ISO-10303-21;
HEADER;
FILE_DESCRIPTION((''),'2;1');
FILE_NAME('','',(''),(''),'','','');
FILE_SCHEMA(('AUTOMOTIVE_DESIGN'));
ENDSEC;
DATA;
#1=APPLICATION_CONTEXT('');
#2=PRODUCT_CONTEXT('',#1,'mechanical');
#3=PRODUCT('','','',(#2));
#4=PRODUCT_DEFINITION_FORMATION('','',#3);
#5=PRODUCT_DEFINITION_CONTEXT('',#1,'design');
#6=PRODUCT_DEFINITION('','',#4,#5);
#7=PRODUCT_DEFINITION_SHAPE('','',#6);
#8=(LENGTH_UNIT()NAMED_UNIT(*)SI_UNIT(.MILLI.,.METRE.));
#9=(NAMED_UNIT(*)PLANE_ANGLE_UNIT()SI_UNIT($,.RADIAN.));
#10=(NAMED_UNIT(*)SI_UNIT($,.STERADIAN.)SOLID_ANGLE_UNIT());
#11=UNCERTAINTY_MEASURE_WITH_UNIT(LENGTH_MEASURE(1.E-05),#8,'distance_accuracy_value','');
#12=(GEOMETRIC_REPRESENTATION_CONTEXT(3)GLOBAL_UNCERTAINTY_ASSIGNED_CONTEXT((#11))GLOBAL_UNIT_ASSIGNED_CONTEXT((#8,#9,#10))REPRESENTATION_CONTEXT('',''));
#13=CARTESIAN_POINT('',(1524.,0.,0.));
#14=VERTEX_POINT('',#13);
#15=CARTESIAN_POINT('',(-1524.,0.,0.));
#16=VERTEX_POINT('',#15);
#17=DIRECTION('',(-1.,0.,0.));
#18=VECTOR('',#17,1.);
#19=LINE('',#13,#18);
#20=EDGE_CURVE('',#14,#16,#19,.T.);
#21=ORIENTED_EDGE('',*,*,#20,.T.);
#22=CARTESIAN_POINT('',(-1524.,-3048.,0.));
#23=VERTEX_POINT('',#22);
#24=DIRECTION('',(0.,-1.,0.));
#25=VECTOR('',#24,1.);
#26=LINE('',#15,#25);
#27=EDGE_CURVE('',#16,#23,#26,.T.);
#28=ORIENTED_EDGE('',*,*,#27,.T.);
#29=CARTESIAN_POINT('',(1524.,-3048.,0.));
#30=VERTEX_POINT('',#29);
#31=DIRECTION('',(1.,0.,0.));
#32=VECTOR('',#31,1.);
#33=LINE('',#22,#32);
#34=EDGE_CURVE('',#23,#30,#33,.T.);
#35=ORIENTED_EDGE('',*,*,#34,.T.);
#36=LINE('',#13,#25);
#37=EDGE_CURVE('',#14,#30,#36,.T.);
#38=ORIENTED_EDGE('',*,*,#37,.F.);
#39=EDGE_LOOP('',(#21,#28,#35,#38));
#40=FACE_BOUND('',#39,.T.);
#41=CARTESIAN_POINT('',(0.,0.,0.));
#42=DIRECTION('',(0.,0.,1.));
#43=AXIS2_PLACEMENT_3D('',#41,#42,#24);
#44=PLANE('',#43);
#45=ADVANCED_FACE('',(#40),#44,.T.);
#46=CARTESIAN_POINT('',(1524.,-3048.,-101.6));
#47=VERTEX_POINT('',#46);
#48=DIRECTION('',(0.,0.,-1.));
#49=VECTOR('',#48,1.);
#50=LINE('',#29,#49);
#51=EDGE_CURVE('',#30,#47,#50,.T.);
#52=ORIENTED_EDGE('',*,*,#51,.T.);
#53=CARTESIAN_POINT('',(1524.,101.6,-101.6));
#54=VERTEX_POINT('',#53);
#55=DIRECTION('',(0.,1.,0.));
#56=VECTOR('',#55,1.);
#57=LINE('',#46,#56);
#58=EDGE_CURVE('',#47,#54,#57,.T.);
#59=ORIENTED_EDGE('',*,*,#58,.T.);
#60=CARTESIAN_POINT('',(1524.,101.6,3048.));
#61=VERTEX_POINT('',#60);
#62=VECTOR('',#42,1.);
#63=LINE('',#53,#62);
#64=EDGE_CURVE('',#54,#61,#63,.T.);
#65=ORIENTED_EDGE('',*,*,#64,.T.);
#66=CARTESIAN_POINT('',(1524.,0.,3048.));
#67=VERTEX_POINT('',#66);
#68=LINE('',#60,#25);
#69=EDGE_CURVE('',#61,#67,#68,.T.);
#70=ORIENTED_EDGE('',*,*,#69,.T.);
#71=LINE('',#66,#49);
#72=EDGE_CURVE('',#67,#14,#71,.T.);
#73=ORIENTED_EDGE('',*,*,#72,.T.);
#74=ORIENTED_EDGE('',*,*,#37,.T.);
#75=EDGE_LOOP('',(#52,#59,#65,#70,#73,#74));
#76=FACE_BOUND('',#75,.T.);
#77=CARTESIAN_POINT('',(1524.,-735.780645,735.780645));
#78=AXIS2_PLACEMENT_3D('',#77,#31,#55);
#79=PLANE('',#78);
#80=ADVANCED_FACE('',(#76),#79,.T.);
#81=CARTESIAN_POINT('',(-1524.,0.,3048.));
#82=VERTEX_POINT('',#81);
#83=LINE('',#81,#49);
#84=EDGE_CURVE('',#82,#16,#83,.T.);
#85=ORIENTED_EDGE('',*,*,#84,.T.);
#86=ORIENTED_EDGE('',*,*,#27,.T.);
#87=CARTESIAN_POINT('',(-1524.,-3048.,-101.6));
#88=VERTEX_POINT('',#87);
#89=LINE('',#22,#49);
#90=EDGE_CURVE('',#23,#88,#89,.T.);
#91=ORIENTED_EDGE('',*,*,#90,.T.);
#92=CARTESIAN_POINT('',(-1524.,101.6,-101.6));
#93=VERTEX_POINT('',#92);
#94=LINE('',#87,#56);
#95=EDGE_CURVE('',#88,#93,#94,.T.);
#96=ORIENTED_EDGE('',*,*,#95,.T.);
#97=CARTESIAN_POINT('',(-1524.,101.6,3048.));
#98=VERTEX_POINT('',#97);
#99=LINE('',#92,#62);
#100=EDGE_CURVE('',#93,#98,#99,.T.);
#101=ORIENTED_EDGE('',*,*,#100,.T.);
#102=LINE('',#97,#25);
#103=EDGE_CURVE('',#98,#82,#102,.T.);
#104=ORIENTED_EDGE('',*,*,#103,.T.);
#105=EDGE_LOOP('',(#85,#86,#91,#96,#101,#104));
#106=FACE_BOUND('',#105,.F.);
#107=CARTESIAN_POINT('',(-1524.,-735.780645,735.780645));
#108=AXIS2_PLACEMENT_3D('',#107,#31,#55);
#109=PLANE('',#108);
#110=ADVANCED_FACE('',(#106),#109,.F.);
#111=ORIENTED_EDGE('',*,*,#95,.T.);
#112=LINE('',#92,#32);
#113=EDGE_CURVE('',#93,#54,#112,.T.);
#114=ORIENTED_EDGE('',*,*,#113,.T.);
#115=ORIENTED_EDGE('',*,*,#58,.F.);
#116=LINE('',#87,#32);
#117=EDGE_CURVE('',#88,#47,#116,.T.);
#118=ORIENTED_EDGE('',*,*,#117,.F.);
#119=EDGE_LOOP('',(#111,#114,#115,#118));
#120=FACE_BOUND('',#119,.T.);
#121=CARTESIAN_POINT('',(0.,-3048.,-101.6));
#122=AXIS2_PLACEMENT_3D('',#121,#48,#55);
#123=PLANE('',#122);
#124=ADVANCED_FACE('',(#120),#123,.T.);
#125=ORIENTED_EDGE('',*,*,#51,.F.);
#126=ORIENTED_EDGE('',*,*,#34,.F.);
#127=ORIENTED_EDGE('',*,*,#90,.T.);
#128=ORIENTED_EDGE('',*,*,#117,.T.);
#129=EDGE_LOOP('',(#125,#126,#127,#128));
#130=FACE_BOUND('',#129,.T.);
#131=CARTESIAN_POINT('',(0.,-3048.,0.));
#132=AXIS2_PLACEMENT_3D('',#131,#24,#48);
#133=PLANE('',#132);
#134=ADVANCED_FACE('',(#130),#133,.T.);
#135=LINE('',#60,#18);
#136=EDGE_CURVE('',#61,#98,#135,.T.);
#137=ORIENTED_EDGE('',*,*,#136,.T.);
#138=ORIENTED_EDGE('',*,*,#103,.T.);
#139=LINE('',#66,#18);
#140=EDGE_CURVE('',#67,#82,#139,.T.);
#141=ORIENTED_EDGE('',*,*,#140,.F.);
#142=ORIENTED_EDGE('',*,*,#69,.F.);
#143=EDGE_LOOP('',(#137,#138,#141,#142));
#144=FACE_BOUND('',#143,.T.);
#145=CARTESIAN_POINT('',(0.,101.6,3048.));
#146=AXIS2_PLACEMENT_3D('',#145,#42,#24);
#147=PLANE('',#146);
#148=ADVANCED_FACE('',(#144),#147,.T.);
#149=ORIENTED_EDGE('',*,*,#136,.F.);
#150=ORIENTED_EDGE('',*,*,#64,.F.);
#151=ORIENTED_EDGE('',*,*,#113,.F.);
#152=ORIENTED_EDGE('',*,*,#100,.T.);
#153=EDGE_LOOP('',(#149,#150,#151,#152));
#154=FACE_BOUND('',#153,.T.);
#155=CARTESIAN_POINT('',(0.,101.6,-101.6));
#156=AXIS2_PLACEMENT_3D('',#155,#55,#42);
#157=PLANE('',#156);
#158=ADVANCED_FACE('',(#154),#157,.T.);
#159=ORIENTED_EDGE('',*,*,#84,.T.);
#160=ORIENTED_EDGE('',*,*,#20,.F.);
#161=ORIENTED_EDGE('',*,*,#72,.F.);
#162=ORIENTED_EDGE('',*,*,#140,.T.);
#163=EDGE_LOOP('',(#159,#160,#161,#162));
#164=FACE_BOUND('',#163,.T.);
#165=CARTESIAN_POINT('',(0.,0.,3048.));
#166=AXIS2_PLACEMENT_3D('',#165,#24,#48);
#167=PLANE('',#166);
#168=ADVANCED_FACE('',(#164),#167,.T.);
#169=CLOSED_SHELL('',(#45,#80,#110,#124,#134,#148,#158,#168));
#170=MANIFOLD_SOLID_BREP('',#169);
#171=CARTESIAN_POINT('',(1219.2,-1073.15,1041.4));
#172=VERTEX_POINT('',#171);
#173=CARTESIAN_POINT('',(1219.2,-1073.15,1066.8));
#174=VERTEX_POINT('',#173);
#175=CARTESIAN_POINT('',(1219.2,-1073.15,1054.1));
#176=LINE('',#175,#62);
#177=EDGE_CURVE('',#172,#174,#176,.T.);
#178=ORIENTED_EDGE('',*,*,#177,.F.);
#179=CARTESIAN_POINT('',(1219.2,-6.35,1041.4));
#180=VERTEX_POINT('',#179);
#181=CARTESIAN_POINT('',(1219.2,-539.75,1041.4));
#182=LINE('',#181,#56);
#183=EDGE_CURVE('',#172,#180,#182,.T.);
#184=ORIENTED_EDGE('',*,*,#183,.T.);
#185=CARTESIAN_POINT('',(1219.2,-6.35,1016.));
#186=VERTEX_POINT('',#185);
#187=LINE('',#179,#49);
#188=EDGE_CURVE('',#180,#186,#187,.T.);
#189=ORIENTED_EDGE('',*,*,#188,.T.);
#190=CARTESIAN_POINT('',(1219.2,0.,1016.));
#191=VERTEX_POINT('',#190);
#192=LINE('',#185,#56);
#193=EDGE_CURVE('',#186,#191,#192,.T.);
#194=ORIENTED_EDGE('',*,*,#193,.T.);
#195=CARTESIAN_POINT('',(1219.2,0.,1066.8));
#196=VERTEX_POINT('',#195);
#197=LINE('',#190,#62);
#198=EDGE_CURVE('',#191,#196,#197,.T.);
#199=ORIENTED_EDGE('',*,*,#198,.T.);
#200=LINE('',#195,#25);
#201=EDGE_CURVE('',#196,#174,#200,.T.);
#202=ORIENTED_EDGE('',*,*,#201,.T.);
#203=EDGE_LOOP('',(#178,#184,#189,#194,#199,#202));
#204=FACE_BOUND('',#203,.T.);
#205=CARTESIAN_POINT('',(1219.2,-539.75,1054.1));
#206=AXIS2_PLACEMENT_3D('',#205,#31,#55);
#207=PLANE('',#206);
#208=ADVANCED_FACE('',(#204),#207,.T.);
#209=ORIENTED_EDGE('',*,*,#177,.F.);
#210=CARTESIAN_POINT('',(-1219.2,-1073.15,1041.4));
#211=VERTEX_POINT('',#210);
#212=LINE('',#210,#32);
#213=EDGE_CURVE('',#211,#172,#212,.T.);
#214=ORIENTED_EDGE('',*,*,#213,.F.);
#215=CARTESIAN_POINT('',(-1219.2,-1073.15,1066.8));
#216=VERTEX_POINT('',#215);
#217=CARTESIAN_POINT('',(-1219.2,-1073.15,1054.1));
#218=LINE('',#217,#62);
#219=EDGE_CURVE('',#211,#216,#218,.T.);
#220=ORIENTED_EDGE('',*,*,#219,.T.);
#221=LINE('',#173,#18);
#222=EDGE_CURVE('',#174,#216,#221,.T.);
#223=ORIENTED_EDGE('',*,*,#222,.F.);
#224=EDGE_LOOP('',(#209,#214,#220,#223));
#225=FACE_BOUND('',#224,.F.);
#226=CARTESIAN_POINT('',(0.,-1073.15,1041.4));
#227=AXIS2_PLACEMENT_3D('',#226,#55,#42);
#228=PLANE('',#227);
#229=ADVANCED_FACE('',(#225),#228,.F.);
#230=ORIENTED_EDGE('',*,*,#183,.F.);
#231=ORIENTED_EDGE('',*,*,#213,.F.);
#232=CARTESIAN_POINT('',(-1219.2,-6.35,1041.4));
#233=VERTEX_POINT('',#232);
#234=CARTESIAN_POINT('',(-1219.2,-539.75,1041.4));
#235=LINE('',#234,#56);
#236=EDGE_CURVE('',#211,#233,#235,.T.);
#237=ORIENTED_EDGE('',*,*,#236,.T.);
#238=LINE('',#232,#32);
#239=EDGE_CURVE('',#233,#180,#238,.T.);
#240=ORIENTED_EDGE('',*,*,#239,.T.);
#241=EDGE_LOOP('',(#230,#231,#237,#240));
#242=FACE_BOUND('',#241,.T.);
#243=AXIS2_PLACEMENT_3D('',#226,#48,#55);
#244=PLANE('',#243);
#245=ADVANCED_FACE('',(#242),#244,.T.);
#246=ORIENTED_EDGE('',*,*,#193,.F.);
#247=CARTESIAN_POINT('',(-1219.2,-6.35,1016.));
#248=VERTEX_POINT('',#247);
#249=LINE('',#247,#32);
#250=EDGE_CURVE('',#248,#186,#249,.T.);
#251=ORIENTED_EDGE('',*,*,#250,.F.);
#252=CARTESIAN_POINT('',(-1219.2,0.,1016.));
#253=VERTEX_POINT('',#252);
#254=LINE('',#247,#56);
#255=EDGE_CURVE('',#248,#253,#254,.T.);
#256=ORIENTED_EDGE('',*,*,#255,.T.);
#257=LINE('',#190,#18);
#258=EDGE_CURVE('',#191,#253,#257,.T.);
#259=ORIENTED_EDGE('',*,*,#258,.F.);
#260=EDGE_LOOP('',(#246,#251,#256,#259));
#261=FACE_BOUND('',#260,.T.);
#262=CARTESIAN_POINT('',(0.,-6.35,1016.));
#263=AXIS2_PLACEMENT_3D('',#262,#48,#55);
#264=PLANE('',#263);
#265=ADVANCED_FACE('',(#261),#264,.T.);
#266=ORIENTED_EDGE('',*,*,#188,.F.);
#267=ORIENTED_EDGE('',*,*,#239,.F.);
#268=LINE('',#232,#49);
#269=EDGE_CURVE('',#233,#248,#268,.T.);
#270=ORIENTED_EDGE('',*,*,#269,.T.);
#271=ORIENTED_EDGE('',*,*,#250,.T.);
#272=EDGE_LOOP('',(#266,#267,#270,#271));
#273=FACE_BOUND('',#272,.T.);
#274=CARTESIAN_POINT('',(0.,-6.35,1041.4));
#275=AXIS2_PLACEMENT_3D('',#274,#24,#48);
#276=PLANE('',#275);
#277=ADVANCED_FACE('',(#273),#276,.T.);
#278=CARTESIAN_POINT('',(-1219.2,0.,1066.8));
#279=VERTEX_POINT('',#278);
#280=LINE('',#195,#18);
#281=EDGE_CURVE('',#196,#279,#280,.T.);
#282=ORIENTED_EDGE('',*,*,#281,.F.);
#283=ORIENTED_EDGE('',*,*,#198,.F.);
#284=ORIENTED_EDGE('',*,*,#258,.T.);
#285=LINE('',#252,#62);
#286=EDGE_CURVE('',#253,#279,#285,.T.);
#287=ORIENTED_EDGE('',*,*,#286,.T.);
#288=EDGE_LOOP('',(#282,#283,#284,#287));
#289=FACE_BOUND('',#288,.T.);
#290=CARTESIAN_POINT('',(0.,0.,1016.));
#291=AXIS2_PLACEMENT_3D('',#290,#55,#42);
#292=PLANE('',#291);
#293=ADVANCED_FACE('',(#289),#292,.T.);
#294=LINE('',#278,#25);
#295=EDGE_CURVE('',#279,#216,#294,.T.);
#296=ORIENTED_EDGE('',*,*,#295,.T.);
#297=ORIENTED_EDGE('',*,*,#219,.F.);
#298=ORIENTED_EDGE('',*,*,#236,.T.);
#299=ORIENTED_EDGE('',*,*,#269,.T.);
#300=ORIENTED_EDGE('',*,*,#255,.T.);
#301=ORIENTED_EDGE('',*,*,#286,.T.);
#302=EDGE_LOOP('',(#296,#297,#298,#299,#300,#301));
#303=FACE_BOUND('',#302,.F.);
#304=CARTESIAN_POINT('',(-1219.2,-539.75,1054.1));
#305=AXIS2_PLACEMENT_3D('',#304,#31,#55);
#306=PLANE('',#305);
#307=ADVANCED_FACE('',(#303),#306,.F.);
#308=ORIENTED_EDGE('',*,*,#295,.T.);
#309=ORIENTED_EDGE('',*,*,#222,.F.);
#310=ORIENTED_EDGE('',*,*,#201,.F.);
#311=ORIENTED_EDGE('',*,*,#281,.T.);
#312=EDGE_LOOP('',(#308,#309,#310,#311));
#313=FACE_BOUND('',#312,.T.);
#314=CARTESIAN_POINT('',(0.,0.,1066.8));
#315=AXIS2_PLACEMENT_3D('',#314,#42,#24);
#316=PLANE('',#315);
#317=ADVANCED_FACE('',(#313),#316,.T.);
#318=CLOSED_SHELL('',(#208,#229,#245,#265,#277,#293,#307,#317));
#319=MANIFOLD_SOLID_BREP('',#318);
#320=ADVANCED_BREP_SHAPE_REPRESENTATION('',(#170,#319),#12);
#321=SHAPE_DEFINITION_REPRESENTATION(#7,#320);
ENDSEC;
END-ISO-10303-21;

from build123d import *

# Parameters (mm, degrees)
F1_DEPTH = 1524
F2_W     = 1066.8
F2_H     = 25.4
F3_DEPTH = 1219.2


with BuildPart() as f1:
    # F0 (on Right) → F1 (new body, symmetric)
    with BuildSketch(Plane.YZ):
        Polygon((0, 0), (-3048, 0), (-3048, -101.6), (101.6, -101.6), (101.6, 3048), (0, 3048), align=None)
    extrude(amount=F1_DEPTH, both=True)


with BuildPart() as f3:
    # F2 (on Right) → F3 (new body, symmetric)
    with BuildSketch(Plane.YZ):
        with Locations((-539.75, 1054.1)):
            Rectangle(F2_W, F2_H)
        Polygon((0, 1066.8), (-6.35, 1066.8), (-6.35, 1041.4), (-6.35, 1016), (0, 1016), align=None)
    extrude(amount=F3_DEPTH, both=True)


solid = Compound([f1.part, f3.part])
